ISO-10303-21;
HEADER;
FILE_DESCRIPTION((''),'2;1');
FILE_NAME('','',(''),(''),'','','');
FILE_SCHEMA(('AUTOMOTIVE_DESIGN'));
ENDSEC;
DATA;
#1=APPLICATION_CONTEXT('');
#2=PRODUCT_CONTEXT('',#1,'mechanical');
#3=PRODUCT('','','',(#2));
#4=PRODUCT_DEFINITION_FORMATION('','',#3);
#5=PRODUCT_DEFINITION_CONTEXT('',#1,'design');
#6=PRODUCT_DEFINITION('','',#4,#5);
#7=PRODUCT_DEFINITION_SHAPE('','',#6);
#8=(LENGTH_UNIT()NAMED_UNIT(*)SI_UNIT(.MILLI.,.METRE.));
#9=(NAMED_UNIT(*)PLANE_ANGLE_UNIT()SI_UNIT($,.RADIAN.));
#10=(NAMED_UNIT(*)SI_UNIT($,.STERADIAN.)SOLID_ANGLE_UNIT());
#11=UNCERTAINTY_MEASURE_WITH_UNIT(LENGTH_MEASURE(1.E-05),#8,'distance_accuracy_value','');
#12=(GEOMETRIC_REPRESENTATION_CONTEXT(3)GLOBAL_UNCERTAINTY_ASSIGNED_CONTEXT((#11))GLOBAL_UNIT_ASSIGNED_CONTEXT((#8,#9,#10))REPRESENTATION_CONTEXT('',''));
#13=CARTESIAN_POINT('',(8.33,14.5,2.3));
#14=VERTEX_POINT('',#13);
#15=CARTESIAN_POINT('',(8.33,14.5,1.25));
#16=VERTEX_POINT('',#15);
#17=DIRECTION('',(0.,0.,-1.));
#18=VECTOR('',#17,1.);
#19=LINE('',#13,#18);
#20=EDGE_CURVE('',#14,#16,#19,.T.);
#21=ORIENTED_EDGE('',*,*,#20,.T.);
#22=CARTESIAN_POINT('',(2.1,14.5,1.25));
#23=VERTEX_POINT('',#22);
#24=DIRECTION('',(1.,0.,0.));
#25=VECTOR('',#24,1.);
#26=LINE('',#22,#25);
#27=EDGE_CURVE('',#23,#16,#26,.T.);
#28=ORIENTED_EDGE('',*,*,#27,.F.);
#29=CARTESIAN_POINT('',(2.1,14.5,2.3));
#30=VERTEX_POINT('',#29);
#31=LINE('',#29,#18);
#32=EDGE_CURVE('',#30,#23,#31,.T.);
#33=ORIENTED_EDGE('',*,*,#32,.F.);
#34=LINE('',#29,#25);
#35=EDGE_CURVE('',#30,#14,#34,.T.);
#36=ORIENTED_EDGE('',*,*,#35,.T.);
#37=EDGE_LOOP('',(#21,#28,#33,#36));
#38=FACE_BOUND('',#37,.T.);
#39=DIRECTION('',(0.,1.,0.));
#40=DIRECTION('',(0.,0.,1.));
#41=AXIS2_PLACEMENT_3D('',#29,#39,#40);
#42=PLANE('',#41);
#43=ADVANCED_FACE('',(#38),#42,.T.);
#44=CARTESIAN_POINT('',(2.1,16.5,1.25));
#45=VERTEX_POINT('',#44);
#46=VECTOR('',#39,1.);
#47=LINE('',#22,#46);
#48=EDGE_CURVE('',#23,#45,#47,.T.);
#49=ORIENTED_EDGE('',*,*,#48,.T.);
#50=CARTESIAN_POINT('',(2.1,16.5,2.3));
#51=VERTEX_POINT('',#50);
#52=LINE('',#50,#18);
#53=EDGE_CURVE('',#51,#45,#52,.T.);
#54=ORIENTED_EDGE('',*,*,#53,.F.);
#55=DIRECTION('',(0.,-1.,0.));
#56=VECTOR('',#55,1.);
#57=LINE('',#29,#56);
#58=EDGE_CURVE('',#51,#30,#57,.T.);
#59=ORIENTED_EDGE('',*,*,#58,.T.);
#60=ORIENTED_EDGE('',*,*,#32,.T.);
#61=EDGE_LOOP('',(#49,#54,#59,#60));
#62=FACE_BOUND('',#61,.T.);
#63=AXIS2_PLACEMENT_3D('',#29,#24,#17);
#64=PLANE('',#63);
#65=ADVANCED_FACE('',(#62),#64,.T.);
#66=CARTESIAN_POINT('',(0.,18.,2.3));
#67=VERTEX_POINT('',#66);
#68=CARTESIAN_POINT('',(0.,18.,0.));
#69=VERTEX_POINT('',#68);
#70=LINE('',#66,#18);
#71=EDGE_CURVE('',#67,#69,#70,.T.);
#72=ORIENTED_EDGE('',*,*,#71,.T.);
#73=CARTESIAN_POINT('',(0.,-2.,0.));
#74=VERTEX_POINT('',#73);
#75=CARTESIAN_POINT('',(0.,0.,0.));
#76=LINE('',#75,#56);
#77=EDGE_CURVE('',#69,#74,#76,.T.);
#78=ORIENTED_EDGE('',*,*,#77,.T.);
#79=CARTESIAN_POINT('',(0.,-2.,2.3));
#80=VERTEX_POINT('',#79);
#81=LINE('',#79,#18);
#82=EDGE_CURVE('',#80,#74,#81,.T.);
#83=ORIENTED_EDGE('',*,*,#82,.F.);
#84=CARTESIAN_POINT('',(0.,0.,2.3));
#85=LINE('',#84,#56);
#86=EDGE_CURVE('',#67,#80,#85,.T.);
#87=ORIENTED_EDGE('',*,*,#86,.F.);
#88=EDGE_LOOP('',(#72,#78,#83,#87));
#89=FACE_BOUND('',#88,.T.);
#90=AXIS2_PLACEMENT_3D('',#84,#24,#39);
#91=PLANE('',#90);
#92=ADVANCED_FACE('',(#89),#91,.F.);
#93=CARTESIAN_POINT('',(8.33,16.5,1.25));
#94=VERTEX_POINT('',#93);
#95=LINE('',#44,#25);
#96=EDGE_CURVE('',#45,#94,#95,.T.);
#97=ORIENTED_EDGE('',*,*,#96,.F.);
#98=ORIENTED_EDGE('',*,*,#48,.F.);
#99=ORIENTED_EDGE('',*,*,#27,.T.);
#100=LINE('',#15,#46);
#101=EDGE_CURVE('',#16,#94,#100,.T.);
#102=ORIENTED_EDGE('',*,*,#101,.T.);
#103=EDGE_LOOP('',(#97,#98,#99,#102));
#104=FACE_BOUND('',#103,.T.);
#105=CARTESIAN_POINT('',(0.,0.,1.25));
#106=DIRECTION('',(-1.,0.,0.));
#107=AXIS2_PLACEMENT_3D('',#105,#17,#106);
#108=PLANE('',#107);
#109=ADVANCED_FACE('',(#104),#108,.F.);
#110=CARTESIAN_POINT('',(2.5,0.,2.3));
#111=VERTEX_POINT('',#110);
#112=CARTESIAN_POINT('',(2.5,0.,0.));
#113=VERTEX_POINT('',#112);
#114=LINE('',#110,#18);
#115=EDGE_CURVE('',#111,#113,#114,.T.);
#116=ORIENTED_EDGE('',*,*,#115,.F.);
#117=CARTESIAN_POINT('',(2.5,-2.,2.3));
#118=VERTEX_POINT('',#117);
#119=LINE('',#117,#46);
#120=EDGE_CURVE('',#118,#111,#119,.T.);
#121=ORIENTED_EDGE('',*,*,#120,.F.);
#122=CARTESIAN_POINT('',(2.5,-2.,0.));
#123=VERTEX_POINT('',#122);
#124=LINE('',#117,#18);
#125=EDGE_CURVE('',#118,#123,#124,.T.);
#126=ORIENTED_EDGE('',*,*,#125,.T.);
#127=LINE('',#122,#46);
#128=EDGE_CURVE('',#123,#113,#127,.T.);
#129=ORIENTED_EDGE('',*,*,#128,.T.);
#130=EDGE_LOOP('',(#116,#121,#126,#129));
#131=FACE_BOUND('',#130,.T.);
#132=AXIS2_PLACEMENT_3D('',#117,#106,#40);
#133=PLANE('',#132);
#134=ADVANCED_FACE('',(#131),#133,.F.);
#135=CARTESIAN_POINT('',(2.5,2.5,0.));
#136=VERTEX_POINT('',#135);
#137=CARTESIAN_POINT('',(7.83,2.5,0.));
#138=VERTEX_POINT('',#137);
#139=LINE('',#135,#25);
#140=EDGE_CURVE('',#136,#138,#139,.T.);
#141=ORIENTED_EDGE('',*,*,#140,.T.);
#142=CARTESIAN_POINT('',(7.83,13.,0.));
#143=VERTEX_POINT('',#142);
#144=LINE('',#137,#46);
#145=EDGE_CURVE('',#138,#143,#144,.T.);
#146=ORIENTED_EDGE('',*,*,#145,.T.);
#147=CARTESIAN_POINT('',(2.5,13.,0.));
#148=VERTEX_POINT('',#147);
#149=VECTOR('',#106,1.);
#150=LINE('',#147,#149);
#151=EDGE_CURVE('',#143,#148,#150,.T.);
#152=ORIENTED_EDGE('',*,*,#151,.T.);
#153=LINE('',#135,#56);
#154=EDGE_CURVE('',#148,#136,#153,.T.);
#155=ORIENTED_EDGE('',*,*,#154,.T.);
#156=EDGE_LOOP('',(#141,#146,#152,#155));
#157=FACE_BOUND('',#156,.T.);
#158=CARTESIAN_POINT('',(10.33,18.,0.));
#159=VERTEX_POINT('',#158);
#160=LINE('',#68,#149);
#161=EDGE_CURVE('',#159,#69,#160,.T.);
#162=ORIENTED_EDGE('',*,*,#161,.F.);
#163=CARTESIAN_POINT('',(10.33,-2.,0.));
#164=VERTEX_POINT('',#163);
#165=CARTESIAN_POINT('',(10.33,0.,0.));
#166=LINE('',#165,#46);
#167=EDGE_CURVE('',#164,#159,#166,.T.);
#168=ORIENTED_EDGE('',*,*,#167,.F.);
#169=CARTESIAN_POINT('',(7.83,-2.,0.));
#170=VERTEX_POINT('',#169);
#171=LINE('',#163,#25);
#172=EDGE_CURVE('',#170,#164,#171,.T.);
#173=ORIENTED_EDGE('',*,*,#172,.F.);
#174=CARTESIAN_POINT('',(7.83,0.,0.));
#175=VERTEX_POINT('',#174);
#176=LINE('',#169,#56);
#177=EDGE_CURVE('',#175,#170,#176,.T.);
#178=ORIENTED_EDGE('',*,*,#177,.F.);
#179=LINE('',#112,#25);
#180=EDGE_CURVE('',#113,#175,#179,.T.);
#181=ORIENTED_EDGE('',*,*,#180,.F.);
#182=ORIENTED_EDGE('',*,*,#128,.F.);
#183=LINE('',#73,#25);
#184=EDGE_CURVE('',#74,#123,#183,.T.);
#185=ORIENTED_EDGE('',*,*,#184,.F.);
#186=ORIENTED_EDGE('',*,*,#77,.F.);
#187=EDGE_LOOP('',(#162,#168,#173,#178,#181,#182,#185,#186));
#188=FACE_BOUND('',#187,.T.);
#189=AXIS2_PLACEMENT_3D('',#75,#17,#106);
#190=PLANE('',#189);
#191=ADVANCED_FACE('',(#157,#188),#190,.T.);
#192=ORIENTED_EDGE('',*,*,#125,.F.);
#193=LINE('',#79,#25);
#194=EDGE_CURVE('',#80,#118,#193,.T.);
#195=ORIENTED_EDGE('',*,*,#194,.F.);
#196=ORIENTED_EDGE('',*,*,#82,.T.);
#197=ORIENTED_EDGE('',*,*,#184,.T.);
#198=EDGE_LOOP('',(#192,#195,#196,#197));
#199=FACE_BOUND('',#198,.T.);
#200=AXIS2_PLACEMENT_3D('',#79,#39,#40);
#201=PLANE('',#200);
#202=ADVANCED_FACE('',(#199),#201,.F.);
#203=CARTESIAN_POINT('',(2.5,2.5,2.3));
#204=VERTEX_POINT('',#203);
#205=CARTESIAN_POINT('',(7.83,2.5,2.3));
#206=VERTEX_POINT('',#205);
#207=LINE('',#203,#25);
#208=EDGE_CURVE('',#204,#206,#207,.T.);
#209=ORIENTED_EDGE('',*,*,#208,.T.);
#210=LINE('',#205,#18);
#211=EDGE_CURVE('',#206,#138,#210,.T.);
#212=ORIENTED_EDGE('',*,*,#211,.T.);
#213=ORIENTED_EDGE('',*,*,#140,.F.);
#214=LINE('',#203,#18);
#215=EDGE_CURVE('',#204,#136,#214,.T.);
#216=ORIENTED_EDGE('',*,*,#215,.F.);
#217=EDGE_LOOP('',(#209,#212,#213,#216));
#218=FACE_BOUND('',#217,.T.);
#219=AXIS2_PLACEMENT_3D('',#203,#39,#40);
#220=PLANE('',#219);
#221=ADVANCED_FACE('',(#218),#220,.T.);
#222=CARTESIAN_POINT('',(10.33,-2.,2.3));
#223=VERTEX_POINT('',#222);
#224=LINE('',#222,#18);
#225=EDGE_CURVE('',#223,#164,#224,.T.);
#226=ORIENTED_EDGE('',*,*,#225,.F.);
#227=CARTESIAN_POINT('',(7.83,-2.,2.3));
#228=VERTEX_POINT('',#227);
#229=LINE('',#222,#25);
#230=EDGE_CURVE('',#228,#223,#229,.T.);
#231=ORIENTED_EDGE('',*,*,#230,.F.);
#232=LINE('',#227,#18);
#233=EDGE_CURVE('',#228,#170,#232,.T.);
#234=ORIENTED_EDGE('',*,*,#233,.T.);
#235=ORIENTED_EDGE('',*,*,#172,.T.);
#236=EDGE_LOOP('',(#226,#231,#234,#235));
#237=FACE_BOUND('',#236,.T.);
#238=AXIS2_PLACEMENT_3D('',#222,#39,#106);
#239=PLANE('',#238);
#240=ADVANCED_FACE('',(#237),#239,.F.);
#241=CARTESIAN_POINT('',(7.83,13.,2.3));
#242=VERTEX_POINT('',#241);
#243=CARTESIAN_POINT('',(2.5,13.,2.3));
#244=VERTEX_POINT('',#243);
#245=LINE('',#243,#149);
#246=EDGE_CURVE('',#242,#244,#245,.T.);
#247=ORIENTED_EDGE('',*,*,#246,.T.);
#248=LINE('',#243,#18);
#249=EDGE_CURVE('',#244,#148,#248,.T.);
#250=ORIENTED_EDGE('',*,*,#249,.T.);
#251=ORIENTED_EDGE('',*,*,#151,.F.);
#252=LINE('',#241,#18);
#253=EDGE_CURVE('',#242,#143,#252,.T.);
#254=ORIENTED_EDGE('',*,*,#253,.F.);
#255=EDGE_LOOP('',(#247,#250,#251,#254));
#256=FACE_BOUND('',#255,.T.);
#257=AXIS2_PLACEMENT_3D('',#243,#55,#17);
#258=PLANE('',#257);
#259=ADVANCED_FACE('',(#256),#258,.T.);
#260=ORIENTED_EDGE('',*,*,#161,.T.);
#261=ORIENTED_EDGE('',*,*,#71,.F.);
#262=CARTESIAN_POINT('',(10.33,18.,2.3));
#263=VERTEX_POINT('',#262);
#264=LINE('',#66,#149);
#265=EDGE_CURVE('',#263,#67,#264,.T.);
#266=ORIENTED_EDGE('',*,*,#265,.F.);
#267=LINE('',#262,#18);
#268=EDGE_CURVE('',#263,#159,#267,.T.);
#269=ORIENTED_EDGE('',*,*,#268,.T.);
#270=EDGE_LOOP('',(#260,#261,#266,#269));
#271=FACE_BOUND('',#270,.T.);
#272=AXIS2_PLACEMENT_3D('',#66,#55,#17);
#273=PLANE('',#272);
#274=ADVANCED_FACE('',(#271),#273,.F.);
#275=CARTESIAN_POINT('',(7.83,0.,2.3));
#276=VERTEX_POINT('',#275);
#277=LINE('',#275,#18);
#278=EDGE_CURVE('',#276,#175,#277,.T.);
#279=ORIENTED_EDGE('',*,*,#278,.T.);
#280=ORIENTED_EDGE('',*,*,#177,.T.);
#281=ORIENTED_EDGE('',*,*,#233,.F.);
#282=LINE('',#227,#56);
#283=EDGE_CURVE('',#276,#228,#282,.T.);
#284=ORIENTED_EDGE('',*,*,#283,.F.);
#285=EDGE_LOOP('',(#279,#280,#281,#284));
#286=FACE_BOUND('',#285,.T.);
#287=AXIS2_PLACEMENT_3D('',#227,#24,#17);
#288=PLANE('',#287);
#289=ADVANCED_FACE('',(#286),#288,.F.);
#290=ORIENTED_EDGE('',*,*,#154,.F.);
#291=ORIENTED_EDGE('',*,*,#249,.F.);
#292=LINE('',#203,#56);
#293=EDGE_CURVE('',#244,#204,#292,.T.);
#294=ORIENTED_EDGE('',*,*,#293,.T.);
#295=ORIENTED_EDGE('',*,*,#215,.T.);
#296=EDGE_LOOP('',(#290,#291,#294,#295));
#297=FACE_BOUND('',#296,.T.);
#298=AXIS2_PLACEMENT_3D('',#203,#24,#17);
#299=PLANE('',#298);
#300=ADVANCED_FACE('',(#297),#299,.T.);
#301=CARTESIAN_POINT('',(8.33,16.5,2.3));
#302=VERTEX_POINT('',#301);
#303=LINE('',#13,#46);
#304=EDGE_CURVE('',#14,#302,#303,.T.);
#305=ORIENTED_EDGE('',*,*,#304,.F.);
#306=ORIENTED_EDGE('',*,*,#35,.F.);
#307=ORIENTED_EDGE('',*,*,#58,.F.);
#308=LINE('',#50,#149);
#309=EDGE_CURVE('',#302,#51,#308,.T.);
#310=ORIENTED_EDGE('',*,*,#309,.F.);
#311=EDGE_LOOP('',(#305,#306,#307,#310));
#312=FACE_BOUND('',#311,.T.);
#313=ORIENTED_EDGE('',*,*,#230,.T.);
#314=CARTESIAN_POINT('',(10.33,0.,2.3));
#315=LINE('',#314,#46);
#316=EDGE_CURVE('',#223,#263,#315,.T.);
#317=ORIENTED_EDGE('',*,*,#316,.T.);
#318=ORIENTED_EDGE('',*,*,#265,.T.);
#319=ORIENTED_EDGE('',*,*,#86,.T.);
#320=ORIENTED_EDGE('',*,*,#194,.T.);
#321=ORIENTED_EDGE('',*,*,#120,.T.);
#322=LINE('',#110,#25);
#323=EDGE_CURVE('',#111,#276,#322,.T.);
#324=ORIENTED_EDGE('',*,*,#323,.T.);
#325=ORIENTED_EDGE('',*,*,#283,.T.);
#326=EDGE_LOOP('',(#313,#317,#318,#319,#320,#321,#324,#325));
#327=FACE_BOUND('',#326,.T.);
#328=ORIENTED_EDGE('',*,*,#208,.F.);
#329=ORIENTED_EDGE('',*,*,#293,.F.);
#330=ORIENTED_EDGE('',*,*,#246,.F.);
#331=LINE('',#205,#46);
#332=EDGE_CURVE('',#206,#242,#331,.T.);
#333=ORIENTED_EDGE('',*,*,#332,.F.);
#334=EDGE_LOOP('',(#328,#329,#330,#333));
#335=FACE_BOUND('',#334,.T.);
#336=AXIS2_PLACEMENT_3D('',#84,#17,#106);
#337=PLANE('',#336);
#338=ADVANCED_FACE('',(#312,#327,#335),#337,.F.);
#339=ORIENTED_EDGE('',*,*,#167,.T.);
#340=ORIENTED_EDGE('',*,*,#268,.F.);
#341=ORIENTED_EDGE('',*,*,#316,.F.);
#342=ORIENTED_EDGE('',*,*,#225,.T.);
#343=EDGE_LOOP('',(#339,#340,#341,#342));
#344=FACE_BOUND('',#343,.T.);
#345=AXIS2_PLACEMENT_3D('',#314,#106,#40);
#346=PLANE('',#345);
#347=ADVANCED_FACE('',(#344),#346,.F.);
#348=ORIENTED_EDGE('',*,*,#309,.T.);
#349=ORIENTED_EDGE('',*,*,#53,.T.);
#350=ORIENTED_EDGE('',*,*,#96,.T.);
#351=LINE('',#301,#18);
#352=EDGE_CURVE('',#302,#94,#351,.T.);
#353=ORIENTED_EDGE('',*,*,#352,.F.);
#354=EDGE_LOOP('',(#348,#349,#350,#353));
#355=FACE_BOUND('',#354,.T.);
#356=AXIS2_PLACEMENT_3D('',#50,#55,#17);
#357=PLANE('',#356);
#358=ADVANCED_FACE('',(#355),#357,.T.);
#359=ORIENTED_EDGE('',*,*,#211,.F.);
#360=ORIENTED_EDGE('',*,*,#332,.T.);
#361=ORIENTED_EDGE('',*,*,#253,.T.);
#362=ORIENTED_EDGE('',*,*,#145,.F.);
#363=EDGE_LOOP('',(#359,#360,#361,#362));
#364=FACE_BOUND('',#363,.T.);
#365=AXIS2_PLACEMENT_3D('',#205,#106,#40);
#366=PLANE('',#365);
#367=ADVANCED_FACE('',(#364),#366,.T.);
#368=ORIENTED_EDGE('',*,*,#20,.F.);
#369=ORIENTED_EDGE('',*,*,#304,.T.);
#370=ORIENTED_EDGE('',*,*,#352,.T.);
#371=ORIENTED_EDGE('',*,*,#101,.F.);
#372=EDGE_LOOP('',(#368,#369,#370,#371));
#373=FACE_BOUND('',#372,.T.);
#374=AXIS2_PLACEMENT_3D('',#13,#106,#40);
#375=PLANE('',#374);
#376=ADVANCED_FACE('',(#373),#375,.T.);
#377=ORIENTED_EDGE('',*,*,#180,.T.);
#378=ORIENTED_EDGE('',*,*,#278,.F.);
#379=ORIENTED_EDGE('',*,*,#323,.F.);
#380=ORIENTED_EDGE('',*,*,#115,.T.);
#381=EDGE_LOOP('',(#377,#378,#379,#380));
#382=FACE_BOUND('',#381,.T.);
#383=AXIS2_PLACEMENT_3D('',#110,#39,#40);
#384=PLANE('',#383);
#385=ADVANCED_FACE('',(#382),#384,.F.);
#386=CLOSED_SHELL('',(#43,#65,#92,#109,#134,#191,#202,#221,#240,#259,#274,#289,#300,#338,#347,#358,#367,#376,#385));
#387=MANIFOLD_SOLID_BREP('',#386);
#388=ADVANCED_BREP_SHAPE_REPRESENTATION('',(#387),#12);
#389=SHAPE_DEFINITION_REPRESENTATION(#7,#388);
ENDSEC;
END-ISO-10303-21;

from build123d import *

# Parameters (mm, degrees)
SKETCH1_W           = 5.33
SKETCH1_H           = 10.5
SKETCH1_W_2         = 6.23
SKETCH1_H_2         = 2
BOSS_EXTRUDE1_DEPTH = 2.3
SKETCH1_2_W         = 6.23
SKETCH1_2_H         = 2
BOSS_EXTRUDE2_DEPTH = 1.25


with BuildPart() as part:
    # Sketch1 → Boss-Extrude1 (new body)
    with BuildSketch(Plane.XY):
        Polygon((0, 0), (0, -2), (2.5, -2), (2.5, 0), (7.83, 0), (7.83, -2), (10.33, -2), (10.33, 0), (10.33, 18), (0, 18), align=None)
        with Locations((5.165, 7.75)):
            Rectangle(SKETCH1_W, SKETCH1_H, mode=Mode.SUBTRACT)
        with Locations((5.215, 15.5)):
            Rectangle(SKETCH1_W_2, SKETCH1_H_2, mode=Mode.SUBTRACT)
    extrude(amount=BOSS_EXTRUDE1_DEPTH)

    # Sketch1<2> → Boss-Extrude2 (add)
    with BuildSketch(Plane.XY):
        with Locations((5.215, 15.5)):
            Rectangle(SKETCH1_2_W, SKETCH1_2_H)
    extrude(amount=BOSS_EXTRUDE2_DEPTH)


solid = part.part
